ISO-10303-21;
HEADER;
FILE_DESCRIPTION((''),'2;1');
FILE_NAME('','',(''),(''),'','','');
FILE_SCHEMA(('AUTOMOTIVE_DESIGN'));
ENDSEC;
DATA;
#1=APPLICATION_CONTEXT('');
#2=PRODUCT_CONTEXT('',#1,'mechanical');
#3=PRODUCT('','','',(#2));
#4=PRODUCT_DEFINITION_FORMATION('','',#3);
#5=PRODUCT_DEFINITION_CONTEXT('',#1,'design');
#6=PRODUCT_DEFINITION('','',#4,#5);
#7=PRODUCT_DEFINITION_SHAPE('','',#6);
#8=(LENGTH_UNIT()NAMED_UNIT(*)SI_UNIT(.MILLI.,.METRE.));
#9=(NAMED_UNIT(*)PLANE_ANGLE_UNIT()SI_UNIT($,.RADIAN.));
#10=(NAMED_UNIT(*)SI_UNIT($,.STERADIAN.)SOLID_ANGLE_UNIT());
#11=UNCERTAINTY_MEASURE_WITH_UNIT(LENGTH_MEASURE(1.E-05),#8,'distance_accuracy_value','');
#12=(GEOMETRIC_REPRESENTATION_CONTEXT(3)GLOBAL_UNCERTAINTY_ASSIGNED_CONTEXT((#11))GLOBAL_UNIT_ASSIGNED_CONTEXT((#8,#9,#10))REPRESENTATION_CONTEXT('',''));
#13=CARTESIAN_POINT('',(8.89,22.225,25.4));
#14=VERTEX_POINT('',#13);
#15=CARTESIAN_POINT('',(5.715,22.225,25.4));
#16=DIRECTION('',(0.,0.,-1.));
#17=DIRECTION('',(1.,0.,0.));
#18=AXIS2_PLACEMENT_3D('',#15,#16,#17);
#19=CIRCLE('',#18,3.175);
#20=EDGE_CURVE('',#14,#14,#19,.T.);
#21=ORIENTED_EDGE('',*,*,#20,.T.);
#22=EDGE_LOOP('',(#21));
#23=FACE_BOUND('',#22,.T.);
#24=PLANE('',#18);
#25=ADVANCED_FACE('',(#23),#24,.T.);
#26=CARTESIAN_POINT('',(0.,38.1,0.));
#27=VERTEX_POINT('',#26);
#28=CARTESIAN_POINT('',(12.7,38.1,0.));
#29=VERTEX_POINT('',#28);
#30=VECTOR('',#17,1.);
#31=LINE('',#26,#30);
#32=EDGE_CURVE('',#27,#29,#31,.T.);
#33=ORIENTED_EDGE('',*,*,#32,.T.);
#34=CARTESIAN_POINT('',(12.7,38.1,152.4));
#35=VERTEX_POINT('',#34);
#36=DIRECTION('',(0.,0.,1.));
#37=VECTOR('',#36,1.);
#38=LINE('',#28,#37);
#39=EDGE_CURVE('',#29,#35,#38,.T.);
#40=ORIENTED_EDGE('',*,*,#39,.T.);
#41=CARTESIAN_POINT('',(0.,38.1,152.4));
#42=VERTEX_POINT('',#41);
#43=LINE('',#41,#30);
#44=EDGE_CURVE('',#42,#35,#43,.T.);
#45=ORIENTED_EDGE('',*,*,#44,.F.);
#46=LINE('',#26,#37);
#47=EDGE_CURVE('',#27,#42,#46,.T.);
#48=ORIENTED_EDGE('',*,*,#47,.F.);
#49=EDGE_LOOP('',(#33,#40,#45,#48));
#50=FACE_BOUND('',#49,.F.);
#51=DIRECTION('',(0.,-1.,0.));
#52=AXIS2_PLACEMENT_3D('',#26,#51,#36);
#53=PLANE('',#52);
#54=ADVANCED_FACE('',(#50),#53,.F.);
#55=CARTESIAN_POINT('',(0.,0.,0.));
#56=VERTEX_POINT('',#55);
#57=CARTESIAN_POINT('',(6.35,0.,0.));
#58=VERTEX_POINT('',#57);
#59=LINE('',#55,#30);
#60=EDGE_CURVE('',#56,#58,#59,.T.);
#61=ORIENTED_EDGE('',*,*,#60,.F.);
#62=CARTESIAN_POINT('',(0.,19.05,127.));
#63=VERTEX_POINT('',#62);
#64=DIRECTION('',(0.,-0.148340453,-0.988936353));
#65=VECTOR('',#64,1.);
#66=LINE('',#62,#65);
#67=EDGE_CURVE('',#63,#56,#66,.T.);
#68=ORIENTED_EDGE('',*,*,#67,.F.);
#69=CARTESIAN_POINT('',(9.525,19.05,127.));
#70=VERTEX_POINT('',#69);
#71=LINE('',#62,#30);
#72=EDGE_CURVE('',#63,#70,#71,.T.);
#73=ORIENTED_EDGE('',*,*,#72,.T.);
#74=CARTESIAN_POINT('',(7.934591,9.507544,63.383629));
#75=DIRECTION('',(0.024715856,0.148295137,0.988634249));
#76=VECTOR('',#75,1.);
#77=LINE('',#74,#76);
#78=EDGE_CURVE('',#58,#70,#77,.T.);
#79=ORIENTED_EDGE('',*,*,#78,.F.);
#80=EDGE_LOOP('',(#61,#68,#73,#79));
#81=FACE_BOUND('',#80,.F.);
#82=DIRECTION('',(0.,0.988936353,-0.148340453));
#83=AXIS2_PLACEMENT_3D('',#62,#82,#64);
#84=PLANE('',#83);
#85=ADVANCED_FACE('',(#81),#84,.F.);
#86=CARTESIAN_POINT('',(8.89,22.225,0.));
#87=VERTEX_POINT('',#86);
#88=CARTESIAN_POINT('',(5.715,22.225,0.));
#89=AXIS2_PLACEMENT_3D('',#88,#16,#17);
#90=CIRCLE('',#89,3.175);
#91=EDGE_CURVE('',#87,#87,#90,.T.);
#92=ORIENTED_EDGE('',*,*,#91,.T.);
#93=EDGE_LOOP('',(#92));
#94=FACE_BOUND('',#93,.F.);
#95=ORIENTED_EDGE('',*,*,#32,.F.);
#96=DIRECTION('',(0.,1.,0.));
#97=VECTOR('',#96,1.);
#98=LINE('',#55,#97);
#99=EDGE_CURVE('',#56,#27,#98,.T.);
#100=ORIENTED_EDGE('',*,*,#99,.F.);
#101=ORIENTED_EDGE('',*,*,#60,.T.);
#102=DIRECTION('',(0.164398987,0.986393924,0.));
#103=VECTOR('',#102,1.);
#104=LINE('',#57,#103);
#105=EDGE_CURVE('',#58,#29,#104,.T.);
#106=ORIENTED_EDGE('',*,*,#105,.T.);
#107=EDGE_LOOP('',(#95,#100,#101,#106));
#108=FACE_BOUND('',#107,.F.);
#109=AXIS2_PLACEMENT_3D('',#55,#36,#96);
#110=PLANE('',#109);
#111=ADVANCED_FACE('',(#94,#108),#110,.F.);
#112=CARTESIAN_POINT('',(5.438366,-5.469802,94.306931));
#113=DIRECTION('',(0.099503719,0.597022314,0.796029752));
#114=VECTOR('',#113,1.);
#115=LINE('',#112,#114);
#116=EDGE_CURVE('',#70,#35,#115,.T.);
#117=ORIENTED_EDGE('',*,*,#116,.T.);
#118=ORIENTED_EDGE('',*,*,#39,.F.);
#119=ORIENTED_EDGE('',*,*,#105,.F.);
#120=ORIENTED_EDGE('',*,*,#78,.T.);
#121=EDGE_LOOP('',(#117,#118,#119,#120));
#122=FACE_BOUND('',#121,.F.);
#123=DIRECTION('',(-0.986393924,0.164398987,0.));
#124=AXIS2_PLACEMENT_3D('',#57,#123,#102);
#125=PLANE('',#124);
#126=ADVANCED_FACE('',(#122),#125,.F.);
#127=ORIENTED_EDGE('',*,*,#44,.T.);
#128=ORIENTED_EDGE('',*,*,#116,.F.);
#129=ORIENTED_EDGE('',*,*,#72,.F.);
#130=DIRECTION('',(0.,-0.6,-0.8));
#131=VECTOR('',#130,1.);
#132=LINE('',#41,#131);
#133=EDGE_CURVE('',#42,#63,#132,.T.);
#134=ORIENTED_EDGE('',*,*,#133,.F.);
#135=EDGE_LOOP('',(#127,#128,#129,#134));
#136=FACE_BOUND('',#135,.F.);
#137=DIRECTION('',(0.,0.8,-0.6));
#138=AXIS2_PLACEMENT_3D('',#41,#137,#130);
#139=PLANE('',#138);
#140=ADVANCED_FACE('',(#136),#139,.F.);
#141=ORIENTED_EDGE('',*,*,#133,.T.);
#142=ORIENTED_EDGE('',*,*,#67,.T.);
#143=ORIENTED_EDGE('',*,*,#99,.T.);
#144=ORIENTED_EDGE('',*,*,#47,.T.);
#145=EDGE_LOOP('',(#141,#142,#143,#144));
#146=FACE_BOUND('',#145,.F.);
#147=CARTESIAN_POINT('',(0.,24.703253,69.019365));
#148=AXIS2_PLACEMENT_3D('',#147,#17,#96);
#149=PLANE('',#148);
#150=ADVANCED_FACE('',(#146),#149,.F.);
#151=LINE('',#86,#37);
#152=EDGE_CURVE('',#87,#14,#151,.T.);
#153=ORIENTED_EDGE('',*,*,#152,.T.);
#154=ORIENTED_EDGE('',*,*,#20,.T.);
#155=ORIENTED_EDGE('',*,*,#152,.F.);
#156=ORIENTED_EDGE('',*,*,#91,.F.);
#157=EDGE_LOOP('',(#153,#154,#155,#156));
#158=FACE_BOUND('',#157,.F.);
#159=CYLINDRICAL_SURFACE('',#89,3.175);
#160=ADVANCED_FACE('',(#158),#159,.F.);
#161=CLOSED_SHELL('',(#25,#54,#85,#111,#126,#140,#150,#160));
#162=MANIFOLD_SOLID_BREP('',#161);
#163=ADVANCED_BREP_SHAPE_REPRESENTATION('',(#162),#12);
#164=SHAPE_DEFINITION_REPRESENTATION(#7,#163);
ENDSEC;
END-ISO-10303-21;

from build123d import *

# Parameters (mm, degrees)
F1_DEPTH = 12.7
F2_R     = 3.175
F3_DEPTH = 25.4
F5_DEPTH = 254


with BuildPart() as f1:
    # F0 (on Right) → F1 (new body)
    with BuildSketch(Plane.YZ):
        Polygon((19.05, 127), (0, 0), (38.1, 0), (38.1, 152.4), align=None)
    extrude(amount=F1_DEPTH)

    # F2 (on face) → F3 (cut)
    with BuildSketch(Plane(origin=(0, 0, 0), x_dir=(1, 0, 0), z_dir=(0, 0, -1))):
        with Locations((5.715, -22.225)):
            Circle(F2_R)
    extrude(amount=-F3_DEPTH, mode=Mode.SUBTRACT)

    # F4 (on face) → F5 (cut)
    with BuildSketch(Plane(origin=(0, 0, 0), x_dir=(1, 0, 0), z_dir=(0, 0, -1))):
        Polygon((6.35, 0), (12.7, -38.1), (12.7, 0), align=None)
    extrude(amount=-F5_DEPTH, mode=Mode.SUBTRACT)


solid = f1.part
